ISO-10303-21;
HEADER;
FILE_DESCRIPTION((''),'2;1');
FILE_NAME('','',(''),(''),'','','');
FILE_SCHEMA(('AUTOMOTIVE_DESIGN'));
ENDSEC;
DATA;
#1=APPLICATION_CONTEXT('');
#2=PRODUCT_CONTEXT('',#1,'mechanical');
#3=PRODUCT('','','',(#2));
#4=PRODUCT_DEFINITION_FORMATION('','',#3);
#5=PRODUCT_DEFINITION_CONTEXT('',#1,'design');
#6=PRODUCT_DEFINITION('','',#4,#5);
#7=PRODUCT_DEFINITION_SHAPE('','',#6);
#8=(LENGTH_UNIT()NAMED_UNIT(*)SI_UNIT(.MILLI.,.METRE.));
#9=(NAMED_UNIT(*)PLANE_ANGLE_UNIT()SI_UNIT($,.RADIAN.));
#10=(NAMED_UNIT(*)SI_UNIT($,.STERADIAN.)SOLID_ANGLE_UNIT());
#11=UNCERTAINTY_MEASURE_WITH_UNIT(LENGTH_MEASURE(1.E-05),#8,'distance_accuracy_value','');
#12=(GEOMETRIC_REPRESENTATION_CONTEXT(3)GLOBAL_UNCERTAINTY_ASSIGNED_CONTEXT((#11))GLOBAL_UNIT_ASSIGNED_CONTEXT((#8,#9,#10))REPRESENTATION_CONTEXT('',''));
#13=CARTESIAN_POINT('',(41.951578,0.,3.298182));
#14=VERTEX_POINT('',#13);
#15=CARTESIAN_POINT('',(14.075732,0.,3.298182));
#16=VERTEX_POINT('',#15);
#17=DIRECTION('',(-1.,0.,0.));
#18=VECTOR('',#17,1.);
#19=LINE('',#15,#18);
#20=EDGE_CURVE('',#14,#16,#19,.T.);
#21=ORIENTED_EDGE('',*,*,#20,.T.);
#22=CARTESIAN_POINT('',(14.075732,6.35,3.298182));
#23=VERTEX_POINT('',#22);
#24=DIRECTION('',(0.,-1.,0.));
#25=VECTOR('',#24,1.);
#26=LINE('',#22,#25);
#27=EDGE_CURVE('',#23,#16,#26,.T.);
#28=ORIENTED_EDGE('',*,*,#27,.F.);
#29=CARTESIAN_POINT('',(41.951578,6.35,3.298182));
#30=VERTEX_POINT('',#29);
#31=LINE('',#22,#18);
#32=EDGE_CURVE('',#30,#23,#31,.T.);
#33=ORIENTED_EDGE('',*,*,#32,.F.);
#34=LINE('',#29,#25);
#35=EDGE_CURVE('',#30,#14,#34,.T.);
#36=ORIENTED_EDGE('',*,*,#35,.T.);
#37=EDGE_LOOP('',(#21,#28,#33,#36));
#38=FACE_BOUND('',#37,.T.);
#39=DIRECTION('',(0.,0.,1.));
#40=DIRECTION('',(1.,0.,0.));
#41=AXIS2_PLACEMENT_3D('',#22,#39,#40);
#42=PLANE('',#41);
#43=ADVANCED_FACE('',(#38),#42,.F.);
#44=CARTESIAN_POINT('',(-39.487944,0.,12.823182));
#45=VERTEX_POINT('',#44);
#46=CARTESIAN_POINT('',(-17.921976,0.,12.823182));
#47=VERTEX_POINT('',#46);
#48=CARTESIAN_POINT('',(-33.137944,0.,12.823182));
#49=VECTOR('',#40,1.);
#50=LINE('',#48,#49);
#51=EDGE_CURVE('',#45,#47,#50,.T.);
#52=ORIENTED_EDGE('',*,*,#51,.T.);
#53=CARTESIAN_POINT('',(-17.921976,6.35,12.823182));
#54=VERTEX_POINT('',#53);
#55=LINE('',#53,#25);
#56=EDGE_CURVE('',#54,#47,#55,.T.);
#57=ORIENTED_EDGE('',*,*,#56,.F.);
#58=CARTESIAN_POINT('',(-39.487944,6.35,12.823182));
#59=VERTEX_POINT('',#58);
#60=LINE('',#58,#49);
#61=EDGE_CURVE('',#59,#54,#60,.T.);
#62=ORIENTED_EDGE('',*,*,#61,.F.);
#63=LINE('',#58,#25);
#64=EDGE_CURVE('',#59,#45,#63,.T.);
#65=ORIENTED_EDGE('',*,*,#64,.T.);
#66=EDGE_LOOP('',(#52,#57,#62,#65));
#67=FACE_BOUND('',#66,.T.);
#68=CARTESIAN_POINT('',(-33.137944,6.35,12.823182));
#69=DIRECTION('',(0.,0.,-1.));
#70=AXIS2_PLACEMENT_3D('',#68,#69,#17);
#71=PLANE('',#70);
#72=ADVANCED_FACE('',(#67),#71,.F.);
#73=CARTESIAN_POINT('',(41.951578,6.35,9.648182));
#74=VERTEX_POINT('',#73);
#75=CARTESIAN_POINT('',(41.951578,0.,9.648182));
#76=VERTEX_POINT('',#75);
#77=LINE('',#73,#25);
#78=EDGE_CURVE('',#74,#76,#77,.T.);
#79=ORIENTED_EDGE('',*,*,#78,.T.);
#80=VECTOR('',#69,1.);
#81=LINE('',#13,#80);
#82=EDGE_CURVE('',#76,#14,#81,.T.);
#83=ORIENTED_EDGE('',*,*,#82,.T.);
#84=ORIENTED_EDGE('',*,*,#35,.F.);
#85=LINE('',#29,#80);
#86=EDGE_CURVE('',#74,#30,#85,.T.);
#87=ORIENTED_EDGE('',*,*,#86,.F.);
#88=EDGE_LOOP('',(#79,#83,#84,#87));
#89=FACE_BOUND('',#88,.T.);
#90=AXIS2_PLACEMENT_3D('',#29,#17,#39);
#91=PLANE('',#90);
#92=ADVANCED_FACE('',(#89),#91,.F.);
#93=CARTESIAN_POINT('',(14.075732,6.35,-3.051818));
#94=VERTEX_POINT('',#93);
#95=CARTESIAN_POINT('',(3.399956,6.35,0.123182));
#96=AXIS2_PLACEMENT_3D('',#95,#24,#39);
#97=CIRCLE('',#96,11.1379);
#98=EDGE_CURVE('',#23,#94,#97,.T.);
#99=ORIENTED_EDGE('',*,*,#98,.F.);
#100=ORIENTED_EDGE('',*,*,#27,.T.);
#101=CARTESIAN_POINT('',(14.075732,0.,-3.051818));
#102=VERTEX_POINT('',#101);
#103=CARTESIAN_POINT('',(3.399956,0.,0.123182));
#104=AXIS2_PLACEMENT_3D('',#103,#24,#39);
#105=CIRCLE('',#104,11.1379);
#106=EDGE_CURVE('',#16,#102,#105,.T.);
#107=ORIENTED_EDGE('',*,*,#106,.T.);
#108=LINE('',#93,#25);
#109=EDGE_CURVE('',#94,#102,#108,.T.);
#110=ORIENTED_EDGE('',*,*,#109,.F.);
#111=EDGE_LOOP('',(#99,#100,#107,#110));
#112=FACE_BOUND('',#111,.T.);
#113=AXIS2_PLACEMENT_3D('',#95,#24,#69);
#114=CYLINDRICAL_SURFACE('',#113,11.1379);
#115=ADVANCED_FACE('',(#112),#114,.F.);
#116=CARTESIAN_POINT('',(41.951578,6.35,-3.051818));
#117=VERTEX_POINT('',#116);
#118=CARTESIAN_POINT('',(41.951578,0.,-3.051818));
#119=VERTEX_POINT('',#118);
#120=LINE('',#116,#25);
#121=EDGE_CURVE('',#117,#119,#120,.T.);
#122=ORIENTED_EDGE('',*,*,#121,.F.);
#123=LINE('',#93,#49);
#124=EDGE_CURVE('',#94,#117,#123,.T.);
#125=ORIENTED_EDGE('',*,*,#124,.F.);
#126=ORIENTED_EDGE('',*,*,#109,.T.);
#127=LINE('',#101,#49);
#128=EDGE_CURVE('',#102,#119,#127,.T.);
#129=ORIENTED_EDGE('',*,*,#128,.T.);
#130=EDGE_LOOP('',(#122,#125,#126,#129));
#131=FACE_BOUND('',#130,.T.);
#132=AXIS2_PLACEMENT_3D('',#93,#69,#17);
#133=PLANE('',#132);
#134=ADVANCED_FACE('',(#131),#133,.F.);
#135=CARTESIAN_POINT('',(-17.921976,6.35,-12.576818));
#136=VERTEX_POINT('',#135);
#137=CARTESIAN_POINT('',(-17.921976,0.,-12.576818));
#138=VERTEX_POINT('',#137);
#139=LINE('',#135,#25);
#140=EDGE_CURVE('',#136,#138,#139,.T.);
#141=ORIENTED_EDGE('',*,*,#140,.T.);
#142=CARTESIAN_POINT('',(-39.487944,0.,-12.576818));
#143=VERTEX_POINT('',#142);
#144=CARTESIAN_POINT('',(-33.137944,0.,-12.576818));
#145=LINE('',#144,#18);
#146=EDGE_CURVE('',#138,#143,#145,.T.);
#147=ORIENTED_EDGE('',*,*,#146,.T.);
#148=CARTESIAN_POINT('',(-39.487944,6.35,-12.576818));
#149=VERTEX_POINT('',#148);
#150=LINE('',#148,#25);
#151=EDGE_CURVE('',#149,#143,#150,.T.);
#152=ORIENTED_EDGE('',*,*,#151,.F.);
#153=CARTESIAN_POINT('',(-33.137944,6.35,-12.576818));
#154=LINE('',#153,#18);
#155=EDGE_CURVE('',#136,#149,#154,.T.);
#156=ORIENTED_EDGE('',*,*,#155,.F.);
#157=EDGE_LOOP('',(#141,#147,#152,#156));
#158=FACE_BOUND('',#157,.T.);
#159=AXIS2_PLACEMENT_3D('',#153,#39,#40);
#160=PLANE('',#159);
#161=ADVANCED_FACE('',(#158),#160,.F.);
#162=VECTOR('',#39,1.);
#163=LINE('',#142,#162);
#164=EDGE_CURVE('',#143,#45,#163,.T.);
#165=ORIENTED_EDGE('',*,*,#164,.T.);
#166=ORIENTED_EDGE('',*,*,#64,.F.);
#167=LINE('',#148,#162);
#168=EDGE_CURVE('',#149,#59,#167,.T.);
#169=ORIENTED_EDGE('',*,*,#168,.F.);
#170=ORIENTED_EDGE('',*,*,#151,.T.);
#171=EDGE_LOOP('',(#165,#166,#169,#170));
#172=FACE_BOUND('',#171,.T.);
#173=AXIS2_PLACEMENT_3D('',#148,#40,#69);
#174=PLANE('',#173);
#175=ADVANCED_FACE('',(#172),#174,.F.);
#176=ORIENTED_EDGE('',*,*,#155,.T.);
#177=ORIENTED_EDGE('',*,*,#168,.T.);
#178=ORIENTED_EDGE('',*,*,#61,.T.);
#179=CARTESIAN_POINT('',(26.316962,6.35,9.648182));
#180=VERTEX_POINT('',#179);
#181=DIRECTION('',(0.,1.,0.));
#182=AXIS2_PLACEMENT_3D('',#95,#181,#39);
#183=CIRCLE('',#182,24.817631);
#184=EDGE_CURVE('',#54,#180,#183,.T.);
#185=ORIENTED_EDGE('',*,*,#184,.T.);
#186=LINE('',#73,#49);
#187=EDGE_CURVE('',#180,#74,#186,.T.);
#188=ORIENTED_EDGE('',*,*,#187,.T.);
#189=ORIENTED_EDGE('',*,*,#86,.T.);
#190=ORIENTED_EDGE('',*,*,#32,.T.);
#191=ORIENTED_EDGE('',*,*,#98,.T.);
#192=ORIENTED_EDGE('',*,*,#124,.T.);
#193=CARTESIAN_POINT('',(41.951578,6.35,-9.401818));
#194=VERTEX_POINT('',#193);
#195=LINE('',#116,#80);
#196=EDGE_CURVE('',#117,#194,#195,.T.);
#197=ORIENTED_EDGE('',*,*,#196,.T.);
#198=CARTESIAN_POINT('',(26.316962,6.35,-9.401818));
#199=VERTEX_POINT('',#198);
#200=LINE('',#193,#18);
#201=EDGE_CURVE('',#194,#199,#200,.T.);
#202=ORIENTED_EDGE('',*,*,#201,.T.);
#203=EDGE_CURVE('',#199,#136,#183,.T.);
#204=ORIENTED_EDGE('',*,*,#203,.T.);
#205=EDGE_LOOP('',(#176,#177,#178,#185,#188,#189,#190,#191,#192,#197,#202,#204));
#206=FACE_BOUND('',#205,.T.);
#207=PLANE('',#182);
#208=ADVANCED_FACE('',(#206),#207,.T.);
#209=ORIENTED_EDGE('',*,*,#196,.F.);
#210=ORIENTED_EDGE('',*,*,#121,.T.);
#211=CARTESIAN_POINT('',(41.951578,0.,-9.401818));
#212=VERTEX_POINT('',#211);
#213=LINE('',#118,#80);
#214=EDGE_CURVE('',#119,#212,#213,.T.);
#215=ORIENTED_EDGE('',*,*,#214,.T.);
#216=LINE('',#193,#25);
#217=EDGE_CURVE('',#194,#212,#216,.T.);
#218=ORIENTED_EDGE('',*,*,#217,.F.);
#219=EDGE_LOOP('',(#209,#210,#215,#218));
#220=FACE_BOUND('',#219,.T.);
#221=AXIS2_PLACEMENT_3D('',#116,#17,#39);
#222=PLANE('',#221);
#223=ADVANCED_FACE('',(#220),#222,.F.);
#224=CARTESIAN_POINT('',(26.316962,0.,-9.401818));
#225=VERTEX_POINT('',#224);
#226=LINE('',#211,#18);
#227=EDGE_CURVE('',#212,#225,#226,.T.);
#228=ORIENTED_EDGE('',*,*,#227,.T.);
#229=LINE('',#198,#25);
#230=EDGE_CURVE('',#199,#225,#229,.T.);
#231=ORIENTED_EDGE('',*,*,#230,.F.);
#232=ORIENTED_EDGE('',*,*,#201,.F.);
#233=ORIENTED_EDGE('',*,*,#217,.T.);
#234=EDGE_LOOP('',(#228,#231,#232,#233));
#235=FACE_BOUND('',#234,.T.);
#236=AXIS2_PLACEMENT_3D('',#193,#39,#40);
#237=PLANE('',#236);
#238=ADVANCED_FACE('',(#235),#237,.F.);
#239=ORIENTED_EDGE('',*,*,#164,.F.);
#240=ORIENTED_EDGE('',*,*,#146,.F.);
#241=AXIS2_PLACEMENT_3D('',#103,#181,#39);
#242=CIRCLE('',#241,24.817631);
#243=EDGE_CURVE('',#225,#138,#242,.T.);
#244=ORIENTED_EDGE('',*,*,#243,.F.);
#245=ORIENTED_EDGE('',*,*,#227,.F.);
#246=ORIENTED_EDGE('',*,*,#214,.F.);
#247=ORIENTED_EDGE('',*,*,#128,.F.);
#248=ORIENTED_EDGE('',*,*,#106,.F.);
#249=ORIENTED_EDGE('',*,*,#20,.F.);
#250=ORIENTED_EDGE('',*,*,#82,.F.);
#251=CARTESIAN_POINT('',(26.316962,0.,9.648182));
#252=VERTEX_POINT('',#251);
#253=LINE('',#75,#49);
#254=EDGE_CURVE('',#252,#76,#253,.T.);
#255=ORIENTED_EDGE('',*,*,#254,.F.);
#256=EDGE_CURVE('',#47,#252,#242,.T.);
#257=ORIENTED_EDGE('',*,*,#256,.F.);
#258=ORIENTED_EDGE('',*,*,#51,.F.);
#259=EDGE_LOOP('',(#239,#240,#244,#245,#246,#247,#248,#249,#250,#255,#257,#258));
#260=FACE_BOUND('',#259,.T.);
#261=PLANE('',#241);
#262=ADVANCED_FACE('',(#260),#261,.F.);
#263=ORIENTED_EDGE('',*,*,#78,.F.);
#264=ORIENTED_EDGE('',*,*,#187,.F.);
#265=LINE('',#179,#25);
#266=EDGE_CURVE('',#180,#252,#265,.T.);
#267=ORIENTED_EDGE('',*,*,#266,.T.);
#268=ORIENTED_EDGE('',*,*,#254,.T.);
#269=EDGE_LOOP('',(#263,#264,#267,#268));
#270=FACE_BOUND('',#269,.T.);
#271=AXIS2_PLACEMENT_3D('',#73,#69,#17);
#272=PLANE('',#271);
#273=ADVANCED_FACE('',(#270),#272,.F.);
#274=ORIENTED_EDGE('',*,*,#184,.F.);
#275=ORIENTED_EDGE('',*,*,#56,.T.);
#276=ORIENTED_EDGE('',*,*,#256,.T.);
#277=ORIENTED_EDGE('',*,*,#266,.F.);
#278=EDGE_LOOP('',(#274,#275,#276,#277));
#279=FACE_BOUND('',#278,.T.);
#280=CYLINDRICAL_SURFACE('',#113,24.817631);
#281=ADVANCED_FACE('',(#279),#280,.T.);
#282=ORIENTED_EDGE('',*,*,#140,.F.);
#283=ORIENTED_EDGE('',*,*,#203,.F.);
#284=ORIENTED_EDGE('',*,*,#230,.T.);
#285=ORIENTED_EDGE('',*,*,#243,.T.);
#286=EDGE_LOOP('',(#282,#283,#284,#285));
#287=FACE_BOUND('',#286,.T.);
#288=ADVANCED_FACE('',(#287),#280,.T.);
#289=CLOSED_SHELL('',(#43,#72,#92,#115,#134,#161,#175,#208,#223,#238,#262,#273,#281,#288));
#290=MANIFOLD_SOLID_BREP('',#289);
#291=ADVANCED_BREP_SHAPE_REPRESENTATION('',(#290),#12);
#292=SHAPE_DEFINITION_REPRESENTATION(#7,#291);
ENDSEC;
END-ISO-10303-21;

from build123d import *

# Parameters (mm, degrees)
BOSS_EXTRUDE1_DEPTH = 6.35


with BuildPart() as part:
    # Sketch1 → Boss-Extrude1 (new body)
    with BuildSketch(Plane(origin=(0, 0, 0), x_dir=(1, 0, 0), z_dir=(0, 1, 0))):
        with BuildLine():
            Line((-33.137943546, 12.576818285), (-39.487943546, 12.576818285))
            Line((-39.487943546, 12.576818285), (-39.487943546, -12.823181715))
            Line((-39.487943546, -12.823181715), (-33.137943546, -12.823181715))
            Line((-33.137943546, -12.823181715), (-17.921975594, -12.823181715))
            ThreePointArc((-17.921975594, -12.823181715), (5.176532213, -24.877142303), (26.316962394, -9.648181715))
            Line((26.316962394, -9.648181715), (41.951577839, -9.648181715))
            Line((41.951577839, -9.648181715), (41.951577839, -3.298181715))
            Line((41.951577839, -3.298181715), (14.07573237, -3.298181715))
            ThreePointArc((14.07573237, -3.298181715), (-7.737943546, -0.123181715), (14.07573237, 3.051818285))
            Line((14.07573237, 3.051818285), (41.951577839, 3.051818285))
            Line((41.951577839, 3.051818285), (41.951577839, 9.401818285))
            Line((41.951577839, 9.401818285), (26.316962394, 9.401818285))
            ThreePointArc((26.316962394, 9.401818285), (5.176532213, 24.630778874), (-17.921975594, 12.576818285))
            Line((-17.921975594, 12.576818285), (-33.137943546, 12.576818285))
        make_face()
    extrude(amount=BOSS_EXTRUDE1_DEPTH)


solid = part.part
